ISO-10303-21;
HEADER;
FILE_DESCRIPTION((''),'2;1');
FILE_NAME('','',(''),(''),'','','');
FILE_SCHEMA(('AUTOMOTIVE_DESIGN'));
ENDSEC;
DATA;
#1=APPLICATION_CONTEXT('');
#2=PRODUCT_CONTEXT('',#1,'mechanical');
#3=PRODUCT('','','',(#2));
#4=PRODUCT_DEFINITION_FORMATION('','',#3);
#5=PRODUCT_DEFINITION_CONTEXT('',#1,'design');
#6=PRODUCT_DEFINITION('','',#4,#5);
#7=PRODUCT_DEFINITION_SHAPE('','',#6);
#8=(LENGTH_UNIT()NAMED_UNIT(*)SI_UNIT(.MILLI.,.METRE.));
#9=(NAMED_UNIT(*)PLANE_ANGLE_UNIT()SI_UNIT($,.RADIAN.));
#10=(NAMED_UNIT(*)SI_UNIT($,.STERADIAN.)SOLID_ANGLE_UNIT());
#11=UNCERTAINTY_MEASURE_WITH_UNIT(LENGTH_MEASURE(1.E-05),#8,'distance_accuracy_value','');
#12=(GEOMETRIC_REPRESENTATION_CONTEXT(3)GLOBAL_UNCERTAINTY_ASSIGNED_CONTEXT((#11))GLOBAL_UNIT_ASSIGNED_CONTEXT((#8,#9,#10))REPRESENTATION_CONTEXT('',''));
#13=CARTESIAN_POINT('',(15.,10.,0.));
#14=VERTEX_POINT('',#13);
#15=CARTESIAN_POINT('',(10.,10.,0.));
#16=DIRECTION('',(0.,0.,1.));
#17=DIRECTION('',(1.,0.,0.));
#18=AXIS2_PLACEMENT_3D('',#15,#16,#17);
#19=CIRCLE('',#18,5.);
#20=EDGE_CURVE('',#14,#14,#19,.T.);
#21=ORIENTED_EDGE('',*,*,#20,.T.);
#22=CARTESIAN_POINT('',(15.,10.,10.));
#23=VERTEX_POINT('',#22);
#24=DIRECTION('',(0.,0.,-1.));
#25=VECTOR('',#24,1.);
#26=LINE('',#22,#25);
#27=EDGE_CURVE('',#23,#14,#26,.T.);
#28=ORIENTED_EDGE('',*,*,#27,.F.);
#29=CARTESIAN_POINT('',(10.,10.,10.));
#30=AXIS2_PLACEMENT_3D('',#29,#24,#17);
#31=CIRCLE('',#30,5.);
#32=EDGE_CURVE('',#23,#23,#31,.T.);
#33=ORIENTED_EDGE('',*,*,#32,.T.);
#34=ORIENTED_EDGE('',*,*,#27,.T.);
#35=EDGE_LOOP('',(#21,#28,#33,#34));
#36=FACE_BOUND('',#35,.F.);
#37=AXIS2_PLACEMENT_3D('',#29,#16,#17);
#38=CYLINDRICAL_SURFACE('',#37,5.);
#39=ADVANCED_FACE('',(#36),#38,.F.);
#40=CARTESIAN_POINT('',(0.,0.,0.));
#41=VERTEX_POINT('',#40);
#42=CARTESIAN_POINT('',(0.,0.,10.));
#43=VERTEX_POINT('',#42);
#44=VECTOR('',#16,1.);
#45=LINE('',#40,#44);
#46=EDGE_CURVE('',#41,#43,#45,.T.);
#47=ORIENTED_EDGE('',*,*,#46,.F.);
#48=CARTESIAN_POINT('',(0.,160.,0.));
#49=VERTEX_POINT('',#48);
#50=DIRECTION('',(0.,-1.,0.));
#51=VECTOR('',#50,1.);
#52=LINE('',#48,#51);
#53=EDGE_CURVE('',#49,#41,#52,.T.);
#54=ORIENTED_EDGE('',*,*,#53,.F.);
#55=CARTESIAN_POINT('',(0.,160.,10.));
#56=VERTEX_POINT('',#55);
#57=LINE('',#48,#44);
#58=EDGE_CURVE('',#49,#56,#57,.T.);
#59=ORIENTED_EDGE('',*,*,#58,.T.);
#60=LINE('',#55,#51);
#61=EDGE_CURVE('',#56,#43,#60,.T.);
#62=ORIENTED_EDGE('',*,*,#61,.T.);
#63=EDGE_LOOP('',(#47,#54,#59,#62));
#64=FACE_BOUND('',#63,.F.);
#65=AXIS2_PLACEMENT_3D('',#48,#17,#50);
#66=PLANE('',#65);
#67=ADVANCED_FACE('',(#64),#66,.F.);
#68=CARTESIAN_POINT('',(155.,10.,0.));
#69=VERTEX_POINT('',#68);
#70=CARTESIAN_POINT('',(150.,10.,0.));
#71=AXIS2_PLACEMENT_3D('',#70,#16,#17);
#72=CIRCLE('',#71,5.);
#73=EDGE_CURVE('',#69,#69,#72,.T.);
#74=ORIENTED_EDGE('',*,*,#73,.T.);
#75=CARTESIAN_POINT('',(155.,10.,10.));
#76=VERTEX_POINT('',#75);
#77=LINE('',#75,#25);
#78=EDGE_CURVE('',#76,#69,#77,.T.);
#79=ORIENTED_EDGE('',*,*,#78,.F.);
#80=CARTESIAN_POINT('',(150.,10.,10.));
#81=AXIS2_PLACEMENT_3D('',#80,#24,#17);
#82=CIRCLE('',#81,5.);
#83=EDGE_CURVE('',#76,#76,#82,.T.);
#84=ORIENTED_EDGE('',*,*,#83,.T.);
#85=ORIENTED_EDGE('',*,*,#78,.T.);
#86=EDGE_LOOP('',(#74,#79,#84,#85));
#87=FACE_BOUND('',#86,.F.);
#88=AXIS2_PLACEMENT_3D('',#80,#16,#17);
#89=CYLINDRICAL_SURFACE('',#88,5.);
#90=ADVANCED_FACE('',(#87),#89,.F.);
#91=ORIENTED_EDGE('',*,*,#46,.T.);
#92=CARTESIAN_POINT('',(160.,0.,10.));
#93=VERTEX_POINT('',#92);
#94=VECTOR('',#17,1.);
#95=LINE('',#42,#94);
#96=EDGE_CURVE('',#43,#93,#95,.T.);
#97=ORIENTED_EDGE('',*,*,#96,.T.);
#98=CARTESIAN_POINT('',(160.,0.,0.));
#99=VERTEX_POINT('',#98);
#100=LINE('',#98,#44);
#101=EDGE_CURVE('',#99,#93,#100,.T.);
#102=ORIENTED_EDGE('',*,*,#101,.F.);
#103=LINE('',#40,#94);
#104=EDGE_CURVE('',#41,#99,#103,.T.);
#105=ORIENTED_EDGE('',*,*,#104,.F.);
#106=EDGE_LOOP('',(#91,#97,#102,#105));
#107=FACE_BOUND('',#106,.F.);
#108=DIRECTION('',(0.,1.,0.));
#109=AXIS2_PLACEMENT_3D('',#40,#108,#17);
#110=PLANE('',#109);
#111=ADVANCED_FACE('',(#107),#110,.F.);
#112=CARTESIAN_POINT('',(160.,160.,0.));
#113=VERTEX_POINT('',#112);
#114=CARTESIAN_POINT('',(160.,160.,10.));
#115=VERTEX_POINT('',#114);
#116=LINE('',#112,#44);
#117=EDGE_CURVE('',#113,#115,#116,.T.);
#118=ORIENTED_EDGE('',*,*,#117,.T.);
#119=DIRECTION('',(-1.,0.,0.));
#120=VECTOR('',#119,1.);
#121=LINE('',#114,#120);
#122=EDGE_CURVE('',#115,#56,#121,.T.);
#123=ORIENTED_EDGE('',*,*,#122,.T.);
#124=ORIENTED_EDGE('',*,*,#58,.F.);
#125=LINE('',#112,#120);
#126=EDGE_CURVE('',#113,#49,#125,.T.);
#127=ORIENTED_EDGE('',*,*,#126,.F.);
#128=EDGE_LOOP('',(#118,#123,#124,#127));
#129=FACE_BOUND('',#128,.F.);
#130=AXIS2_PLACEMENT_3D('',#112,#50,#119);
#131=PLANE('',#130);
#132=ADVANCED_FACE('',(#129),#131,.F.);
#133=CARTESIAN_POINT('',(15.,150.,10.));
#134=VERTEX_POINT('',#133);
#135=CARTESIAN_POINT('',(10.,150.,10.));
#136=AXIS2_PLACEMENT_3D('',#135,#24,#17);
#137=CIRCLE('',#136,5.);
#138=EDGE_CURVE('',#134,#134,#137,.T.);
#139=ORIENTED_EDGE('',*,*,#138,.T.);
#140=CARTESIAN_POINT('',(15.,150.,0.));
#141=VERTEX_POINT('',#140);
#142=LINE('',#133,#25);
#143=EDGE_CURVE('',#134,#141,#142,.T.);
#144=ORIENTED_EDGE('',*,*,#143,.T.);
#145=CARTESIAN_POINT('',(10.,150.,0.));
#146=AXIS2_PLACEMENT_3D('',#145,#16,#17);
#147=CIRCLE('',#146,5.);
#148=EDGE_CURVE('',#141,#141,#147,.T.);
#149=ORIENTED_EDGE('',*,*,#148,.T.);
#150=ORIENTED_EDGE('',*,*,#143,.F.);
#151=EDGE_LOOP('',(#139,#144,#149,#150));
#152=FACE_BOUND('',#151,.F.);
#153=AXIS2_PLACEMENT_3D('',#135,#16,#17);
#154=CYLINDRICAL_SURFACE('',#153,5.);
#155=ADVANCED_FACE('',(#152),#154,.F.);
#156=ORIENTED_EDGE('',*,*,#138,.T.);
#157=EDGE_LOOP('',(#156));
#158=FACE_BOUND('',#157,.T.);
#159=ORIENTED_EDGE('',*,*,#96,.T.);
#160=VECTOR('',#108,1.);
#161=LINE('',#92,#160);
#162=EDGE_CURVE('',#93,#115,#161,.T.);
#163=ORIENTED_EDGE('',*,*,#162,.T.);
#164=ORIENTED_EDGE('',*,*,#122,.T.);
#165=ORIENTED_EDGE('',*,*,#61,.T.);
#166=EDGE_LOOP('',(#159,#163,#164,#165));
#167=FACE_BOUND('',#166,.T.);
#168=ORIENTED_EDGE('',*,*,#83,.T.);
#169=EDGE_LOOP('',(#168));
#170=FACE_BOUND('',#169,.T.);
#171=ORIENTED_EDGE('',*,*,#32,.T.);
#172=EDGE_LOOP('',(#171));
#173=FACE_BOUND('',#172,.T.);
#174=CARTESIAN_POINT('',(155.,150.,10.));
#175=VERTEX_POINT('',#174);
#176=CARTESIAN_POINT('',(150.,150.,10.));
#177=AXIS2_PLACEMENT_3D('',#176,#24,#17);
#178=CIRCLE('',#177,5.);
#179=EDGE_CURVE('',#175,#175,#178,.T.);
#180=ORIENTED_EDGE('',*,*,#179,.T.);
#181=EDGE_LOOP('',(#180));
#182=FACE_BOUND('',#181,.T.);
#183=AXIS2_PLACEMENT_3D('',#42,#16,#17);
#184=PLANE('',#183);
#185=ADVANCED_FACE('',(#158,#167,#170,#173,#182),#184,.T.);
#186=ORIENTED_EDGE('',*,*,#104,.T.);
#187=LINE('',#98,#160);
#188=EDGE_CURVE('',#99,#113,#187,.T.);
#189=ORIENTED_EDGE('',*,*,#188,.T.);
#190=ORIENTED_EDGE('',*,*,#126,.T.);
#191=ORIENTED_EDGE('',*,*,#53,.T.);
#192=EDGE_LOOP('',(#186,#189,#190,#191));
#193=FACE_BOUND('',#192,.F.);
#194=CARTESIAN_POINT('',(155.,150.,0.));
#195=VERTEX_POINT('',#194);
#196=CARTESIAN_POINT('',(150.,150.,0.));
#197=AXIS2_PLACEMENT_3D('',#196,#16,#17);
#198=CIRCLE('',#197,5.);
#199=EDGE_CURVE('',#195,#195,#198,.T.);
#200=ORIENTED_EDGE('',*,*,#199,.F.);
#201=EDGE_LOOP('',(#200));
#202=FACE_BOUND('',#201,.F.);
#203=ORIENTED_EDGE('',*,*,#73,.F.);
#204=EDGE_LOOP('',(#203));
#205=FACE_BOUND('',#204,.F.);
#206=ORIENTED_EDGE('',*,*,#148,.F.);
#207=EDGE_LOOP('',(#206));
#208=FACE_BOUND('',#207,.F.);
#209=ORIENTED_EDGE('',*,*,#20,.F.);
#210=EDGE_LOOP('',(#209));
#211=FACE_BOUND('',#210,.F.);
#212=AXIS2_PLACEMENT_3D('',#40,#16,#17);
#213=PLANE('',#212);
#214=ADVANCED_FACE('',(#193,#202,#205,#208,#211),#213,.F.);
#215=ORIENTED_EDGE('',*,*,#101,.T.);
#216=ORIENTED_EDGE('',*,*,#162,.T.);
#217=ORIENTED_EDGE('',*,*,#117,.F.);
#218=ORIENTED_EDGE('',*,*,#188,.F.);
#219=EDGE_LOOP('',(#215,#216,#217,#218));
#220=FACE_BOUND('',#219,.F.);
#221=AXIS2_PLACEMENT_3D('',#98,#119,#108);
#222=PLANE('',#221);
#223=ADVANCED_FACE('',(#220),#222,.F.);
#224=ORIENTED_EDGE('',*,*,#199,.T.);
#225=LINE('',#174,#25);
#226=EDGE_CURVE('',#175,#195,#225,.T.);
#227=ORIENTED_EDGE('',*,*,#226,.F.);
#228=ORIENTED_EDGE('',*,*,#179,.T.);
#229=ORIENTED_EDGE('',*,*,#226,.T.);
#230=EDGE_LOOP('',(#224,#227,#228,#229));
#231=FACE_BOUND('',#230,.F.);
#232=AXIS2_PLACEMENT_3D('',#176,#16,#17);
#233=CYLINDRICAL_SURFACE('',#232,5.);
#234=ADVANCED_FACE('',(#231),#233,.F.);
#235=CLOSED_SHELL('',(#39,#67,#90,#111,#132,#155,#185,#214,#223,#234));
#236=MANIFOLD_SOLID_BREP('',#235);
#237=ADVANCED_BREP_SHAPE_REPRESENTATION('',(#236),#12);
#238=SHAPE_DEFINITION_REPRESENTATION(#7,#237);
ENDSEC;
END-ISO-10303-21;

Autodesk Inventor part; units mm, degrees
ref_plane "YZ Plane" through (0, 0, 0) normal (1, 0, 0) x (0, 1, 0)
ref_plane "XZ Plane" through (0, 0, 0) normal (0, 1, 0) x (-1, 0, 0)
ref_plane "XY Plane" through (0, 0, 0) normal (0, 0, 1) x (1, 0, 0)
sketch "Sketch1" plane through (0, 0, 0) normal (0, 0, 1) x (1, 0, 0)
  line L0 (0, 0) -> (160, 0)
  line L1 (160, 0) -> (160, 160)
  line L2 (160, 160) -> (0, 160)
  line L3 (0, 160) -> (0, 0)
  dimension "d0" = 160
  dimension "d1" = 160
extrude "Extrusion1" add sketch "Sketch1" along normal blind 10
sketch "Sketch2" plane through (0, 0, 10) normal (0, 0, 1) x (1, 0, 0)
  line L0 (0, 0) -> (10, 0)
  line L1 (0, 0) -> (160, 0) projected
  line L2 (10, 0) -> (10, 10)
  line L3 (10, 10) -> (10, 150)
  line L4 (10, 150) -> (150, 150)
  line L5 (150, 150) -> (150, 10)
  line L6 (150, 10) -> (10, 10)
  circle A0 centre (10, 150) radius 5
  circle A1 centre (150, 150) radius 5
  circle A2 centre (150, 10) radius 5
  circle A3 centre (10, 10) radius 5
  dimension "d4" = 10
  dimension "d5" = 10
  dimension "d6" = 140
  dimension "d7" = 140
  dimension "d8" = 140
  dimension "d9" = 140
  dimension "d10" = 10
  dimension "d11" = 10
  dimension "d12" = 10
  dimension "d13" = 10
extrude "Extrusion2" cut sketch "Sketch2" along normal through all both and the other way through all contours A3 L3 L2 | L2 L6 A3 | L3 A3 L6 | A0 L4 L3 | L3 L4 A0 | A2 L5 L6 | L6 L5 A2 | A1 L5 L4 | L4 L5 A1
properties part number "BASE FOR STORAGE SYSTEM"
